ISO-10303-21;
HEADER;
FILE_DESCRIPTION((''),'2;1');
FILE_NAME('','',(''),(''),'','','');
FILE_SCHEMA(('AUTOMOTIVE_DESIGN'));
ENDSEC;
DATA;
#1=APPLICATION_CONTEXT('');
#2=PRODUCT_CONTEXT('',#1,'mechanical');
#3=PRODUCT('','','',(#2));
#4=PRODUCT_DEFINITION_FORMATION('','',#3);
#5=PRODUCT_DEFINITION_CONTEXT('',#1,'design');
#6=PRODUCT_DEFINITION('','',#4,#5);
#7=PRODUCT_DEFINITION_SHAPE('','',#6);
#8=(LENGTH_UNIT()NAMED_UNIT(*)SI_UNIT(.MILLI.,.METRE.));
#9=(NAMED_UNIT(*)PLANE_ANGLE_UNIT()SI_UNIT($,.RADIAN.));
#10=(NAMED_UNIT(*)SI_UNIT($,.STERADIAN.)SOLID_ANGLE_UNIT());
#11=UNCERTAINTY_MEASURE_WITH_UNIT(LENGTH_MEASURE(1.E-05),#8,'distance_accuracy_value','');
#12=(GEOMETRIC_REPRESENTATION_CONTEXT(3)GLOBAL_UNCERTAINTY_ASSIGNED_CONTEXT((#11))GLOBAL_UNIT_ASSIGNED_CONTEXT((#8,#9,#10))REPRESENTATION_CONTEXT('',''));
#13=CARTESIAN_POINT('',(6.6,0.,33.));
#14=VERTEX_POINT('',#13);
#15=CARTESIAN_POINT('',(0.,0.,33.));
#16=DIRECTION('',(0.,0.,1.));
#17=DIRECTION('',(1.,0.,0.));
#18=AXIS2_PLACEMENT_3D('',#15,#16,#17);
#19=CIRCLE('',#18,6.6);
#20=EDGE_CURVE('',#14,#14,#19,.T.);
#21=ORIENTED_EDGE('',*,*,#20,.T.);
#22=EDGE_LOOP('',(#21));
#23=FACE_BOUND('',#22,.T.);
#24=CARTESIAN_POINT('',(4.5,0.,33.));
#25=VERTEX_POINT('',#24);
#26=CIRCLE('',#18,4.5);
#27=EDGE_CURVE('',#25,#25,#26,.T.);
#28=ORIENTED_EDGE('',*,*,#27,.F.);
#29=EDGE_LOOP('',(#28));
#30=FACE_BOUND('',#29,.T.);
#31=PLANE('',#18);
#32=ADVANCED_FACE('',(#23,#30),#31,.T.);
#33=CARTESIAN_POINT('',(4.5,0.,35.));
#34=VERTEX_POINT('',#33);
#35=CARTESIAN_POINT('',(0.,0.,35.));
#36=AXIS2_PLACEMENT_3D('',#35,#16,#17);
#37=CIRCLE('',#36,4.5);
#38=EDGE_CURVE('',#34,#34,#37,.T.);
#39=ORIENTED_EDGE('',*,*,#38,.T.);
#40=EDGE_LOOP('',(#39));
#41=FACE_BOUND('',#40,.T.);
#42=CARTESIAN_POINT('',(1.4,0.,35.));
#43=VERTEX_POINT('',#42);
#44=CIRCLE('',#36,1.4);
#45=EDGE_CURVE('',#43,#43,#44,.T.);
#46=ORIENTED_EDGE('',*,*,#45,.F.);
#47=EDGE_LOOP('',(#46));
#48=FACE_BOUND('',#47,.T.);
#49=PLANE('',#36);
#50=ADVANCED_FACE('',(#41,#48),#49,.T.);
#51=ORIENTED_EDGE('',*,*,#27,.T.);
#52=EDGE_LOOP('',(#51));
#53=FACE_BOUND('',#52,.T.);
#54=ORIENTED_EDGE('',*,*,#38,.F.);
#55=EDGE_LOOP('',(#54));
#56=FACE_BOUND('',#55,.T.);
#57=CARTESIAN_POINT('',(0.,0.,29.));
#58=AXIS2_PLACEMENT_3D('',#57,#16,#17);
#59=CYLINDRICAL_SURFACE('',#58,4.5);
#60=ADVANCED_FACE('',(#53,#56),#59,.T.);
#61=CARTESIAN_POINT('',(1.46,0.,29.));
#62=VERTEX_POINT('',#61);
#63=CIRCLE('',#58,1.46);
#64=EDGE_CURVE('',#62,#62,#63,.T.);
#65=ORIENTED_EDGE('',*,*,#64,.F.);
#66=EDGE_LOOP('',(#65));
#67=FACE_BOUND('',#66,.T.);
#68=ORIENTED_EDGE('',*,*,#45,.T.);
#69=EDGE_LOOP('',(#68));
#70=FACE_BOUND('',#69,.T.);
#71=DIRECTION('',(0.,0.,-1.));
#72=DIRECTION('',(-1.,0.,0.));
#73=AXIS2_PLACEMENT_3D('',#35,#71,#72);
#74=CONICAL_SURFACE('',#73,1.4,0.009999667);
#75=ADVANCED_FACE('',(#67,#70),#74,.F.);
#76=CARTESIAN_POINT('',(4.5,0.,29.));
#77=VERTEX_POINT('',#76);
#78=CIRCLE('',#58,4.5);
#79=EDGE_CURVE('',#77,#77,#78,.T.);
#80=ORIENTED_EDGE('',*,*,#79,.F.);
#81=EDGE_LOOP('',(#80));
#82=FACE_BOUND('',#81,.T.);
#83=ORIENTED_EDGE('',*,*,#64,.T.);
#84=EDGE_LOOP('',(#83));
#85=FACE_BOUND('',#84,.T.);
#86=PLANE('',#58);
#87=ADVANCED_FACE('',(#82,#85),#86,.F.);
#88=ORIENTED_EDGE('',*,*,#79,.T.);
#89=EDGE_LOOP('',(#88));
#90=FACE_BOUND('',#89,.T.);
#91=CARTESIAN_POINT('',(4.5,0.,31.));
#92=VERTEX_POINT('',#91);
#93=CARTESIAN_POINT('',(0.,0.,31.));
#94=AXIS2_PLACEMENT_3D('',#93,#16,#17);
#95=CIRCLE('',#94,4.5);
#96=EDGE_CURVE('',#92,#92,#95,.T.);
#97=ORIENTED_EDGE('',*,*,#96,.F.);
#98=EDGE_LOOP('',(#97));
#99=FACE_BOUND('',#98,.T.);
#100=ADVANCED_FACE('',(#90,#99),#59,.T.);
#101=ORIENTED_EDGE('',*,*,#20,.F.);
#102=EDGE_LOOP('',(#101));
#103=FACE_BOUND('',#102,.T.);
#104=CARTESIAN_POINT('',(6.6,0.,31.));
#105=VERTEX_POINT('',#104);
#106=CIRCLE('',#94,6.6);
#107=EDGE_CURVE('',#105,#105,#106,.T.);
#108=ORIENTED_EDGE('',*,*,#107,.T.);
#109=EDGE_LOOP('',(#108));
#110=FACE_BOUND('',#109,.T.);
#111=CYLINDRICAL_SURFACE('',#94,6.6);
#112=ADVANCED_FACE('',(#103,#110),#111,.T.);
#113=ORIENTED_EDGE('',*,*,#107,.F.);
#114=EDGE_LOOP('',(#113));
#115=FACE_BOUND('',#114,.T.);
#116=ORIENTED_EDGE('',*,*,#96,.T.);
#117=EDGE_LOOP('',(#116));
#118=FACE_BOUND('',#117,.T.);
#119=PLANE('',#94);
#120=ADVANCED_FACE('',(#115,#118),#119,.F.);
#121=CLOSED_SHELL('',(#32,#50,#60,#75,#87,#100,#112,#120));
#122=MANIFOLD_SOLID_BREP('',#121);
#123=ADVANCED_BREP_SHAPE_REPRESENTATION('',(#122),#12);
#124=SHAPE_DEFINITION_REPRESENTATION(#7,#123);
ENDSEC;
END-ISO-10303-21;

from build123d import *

# Parameters (mm, degrees)
SKETCH1_R                = 6.6
BOSS_EXTRUDE1_DEPTH      = 2
BOSS_EXTRUDE2_DEPTH      = 2
BOSS_EXTRUDE2_DEPTH_BACK = 4
SKETCH2_R                = 4.5
SKETCH8_R                = 1.4
SKETCH6_R                = 1.46


with BuildPart() as part:
    # Sketch1 → Boss-Extrude1 (new body)
    with BuildSketch(Plane.XY.offset(33)):
        Circle(SKETCH1_R)
    extrude(amount=-BOSS_EXTRUDE1_DEPTH)

    # Sketch2 → Boss-Extrude2 (add, two sides: drawn at the far end of the back side and taken through both)
    with BuildSketch(Plane.XY.offset(33).offset(-BOSS_EXTRUDE2_DEPTH_BACK)):
        Circle(SKETCH2_R)
    extrude(amount=BOSS_EXTRUDE2_DEPTH + BOSS_EXTRUDE2_DEPTH_BACK)

    # Sketch8 → Cut-Loft2 section 0
    with BuildSketch(Plane.XY.offset(35)):
        Circle(SKETCH8_R)
    # Sketch6 → Cut-Loft2 section 1
    with BuildSketch(Plane.XY.offset(29)):
        Circle(SKETCH6_R)
    loft(mode=Mode.SUBTRACT)


solid = part.part
